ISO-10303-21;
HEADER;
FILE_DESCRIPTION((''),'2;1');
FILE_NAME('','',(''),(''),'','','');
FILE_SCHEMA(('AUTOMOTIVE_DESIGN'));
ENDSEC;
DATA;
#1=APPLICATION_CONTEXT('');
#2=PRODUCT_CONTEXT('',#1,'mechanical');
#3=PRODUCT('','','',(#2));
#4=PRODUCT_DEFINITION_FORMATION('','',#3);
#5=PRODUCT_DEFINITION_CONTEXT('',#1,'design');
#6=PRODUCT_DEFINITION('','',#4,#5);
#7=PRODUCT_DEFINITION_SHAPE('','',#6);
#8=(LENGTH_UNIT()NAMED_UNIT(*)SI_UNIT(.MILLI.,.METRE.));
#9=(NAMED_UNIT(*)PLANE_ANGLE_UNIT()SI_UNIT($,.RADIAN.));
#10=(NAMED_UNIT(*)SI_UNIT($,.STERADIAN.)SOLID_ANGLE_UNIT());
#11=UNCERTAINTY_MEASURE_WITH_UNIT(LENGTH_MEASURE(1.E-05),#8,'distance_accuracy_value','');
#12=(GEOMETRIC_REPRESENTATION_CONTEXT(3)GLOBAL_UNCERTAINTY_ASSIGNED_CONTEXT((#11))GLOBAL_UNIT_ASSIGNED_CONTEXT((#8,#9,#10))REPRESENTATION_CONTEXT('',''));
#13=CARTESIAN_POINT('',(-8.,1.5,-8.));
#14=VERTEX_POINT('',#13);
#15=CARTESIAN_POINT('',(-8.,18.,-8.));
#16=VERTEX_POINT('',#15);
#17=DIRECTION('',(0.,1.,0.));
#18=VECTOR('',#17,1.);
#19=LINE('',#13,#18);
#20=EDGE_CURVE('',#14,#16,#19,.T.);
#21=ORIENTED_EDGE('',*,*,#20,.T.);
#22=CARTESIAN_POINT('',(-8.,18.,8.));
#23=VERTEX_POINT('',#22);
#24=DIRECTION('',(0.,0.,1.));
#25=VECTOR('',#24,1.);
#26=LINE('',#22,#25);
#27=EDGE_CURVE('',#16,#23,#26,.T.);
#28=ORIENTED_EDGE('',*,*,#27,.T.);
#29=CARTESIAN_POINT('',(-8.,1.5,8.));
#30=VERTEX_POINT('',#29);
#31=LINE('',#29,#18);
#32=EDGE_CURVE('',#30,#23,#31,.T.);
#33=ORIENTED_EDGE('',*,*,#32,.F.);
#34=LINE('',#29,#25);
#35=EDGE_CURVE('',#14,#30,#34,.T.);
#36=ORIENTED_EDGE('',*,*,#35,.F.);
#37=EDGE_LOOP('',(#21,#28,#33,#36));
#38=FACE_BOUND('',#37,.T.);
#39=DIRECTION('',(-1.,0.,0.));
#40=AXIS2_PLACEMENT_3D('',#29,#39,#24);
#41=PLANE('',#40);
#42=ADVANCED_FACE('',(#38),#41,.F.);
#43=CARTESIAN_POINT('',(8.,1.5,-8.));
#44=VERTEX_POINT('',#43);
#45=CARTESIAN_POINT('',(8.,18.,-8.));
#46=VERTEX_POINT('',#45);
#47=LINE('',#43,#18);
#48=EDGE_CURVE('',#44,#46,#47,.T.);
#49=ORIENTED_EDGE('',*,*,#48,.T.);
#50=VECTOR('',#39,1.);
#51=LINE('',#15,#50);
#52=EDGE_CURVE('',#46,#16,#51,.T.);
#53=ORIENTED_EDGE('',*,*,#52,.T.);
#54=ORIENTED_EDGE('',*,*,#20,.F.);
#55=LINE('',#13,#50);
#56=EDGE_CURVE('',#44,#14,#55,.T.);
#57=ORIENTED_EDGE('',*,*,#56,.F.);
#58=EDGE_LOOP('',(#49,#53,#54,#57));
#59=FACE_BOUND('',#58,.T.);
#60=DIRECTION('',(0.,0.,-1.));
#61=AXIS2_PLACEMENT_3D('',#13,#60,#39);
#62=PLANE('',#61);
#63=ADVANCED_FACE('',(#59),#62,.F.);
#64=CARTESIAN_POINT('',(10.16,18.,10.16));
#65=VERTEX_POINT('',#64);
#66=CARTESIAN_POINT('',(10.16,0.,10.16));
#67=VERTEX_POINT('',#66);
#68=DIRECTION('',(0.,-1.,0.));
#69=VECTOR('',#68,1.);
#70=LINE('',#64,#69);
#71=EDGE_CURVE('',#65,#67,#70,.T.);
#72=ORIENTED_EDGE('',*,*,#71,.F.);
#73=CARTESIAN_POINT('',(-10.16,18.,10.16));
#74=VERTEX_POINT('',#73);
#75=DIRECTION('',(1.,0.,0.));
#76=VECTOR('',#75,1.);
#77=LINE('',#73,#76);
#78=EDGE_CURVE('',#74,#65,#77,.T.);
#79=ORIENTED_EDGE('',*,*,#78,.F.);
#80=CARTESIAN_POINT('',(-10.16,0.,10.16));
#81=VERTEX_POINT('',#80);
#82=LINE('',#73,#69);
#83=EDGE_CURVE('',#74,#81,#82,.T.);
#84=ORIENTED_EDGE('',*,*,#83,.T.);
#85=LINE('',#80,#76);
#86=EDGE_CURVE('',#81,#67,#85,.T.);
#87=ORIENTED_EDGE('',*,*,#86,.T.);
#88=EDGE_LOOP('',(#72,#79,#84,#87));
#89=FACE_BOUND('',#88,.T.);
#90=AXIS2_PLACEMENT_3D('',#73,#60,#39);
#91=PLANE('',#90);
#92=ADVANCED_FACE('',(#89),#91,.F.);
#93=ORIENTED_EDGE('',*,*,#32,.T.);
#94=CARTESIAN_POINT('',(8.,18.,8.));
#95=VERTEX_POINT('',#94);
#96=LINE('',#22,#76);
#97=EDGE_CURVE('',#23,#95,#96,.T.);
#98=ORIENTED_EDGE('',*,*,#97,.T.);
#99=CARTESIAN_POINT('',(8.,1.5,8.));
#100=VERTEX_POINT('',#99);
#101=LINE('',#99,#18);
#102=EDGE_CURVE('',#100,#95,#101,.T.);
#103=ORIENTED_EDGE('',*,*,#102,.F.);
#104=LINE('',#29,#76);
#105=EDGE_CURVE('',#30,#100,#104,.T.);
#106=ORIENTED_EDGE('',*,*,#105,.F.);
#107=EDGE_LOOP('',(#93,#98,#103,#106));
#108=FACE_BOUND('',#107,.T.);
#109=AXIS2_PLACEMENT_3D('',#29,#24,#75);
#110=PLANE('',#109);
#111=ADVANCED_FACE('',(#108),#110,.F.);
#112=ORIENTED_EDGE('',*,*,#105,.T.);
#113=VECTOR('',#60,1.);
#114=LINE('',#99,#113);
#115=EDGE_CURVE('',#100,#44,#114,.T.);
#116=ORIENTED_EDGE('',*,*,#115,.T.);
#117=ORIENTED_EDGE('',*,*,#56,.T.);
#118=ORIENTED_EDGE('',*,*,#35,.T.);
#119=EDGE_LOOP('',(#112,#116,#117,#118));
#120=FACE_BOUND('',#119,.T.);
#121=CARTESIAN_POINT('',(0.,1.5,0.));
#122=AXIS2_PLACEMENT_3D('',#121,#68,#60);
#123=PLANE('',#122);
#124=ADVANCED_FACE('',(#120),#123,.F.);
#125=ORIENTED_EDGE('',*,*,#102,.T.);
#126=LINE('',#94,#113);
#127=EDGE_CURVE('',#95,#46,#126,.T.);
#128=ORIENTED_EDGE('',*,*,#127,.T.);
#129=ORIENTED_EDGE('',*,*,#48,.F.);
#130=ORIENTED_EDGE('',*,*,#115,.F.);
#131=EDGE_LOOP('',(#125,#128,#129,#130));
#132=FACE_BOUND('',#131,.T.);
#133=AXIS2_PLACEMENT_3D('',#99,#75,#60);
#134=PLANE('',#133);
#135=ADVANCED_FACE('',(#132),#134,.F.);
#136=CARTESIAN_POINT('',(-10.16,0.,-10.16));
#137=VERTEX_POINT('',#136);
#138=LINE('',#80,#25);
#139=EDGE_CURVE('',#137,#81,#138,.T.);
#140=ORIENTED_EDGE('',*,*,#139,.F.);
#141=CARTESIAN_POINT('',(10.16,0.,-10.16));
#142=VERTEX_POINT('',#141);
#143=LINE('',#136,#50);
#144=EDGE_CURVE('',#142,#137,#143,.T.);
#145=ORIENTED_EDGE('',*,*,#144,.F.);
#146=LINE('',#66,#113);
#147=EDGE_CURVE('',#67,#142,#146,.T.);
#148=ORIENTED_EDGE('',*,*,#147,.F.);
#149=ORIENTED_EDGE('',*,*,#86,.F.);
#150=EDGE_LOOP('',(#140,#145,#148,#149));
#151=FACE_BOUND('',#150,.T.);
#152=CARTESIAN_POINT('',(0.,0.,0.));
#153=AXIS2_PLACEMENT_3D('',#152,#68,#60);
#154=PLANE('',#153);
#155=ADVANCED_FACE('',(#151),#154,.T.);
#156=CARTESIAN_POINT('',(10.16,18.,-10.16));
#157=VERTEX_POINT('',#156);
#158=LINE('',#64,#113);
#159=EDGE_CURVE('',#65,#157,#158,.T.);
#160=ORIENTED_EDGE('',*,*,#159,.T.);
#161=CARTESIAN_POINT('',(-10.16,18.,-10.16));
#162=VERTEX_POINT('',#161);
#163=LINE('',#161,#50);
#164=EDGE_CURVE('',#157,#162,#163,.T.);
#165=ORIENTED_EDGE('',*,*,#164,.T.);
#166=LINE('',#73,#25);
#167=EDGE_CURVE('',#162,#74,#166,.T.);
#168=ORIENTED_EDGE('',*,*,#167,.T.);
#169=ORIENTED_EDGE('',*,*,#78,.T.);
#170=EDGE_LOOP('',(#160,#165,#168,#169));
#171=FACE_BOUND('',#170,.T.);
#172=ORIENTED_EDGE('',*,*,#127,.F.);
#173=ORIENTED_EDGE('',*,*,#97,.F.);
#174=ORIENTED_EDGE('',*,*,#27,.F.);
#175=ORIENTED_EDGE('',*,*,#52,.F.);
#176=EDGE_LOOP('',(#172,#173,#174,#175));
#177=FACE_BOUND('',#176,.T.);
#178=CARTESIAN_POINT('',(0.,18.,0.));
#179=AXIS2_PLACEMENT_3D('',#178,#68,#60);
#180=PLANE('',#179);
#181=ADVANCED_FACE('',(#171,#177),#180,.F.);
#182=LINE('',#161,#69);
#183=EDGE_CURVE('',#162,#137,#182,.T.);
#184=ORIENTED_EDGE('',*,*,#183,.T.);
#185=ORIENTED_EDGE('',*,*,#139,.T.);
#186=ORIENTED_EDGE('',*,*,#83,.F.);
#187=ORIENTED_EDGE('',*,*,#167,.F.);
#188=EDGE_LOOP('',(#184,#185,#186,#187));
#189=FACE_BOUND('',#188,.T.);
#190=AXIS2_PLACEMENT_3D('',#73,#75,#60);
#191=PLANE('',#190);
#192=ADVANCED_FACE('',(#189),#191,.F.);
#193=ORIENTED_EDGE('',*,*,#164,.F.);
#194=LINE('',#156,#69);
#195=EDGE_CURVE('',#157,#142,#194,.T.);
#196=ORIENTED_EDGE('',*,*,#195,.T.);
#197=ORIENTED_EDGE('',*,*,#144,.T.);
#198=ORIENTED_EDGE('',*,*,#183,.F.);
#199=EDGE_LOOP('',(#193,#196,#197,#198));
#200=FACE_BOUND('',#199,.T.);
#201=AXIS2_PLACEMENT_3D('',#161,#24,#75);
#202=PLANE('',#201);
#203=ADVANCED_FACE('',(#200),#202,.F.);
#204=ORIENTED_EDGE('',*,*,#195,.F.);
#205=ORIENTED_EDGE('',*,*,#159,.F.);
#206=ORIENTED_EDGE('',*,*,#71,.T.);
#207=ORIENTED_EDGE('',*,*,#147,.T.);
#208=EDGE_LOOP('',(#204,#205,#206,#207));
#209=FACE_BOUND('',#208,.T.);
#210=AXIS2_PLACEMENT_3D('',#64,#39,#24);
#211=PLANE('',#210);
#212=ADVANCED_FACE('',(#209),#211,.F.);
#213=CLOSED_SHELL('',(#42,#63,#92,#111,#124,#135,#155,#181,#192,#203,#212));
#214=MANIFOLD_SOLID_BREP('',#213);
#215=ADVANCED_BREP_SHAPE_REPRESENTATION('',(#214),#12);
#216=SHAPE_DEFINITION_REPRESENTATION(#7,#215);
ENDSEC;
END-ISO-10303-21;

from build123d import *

# Parameters (mm, degrees)
SKETCH1_W           = 20.32
SKETCH1_H           = 20.32
BOSS_EXTRUDE1_DEPTH = 18
SKETCH2_W           = 15.999999972
SKETCH2_H           = 16.000000036
CUT_EXTRUDE1_DEPTH  = 16.5


with BuildPart() as part:
    # Sketch1 → Boss-Extrude1 (new body)
    with BuildSketch(Plane(origin=(0, 0, 0), x_dir=(1, 0, 0), z_dir=(0, 1, 0))):
        Rectangle(SKETCH1_W, SKETCH1_H)
    extrude(amount=BOSS_EXTRUDE1_DEPTH)

    # Sketch2 → Cut-Extrude1 (cut)
    with BuildSketch(Plane(origin=(0, 18, 0), x_dir=(1, 0, 0), z_dir=(0, 1, 0))):
        Rectangle(SKETCH2_W, SKETCH2_H)
    extrude(amount=-CUT_EXTRUDE1_DEPTH, mode=Mode.SUBTRACT)


solid = part.part
